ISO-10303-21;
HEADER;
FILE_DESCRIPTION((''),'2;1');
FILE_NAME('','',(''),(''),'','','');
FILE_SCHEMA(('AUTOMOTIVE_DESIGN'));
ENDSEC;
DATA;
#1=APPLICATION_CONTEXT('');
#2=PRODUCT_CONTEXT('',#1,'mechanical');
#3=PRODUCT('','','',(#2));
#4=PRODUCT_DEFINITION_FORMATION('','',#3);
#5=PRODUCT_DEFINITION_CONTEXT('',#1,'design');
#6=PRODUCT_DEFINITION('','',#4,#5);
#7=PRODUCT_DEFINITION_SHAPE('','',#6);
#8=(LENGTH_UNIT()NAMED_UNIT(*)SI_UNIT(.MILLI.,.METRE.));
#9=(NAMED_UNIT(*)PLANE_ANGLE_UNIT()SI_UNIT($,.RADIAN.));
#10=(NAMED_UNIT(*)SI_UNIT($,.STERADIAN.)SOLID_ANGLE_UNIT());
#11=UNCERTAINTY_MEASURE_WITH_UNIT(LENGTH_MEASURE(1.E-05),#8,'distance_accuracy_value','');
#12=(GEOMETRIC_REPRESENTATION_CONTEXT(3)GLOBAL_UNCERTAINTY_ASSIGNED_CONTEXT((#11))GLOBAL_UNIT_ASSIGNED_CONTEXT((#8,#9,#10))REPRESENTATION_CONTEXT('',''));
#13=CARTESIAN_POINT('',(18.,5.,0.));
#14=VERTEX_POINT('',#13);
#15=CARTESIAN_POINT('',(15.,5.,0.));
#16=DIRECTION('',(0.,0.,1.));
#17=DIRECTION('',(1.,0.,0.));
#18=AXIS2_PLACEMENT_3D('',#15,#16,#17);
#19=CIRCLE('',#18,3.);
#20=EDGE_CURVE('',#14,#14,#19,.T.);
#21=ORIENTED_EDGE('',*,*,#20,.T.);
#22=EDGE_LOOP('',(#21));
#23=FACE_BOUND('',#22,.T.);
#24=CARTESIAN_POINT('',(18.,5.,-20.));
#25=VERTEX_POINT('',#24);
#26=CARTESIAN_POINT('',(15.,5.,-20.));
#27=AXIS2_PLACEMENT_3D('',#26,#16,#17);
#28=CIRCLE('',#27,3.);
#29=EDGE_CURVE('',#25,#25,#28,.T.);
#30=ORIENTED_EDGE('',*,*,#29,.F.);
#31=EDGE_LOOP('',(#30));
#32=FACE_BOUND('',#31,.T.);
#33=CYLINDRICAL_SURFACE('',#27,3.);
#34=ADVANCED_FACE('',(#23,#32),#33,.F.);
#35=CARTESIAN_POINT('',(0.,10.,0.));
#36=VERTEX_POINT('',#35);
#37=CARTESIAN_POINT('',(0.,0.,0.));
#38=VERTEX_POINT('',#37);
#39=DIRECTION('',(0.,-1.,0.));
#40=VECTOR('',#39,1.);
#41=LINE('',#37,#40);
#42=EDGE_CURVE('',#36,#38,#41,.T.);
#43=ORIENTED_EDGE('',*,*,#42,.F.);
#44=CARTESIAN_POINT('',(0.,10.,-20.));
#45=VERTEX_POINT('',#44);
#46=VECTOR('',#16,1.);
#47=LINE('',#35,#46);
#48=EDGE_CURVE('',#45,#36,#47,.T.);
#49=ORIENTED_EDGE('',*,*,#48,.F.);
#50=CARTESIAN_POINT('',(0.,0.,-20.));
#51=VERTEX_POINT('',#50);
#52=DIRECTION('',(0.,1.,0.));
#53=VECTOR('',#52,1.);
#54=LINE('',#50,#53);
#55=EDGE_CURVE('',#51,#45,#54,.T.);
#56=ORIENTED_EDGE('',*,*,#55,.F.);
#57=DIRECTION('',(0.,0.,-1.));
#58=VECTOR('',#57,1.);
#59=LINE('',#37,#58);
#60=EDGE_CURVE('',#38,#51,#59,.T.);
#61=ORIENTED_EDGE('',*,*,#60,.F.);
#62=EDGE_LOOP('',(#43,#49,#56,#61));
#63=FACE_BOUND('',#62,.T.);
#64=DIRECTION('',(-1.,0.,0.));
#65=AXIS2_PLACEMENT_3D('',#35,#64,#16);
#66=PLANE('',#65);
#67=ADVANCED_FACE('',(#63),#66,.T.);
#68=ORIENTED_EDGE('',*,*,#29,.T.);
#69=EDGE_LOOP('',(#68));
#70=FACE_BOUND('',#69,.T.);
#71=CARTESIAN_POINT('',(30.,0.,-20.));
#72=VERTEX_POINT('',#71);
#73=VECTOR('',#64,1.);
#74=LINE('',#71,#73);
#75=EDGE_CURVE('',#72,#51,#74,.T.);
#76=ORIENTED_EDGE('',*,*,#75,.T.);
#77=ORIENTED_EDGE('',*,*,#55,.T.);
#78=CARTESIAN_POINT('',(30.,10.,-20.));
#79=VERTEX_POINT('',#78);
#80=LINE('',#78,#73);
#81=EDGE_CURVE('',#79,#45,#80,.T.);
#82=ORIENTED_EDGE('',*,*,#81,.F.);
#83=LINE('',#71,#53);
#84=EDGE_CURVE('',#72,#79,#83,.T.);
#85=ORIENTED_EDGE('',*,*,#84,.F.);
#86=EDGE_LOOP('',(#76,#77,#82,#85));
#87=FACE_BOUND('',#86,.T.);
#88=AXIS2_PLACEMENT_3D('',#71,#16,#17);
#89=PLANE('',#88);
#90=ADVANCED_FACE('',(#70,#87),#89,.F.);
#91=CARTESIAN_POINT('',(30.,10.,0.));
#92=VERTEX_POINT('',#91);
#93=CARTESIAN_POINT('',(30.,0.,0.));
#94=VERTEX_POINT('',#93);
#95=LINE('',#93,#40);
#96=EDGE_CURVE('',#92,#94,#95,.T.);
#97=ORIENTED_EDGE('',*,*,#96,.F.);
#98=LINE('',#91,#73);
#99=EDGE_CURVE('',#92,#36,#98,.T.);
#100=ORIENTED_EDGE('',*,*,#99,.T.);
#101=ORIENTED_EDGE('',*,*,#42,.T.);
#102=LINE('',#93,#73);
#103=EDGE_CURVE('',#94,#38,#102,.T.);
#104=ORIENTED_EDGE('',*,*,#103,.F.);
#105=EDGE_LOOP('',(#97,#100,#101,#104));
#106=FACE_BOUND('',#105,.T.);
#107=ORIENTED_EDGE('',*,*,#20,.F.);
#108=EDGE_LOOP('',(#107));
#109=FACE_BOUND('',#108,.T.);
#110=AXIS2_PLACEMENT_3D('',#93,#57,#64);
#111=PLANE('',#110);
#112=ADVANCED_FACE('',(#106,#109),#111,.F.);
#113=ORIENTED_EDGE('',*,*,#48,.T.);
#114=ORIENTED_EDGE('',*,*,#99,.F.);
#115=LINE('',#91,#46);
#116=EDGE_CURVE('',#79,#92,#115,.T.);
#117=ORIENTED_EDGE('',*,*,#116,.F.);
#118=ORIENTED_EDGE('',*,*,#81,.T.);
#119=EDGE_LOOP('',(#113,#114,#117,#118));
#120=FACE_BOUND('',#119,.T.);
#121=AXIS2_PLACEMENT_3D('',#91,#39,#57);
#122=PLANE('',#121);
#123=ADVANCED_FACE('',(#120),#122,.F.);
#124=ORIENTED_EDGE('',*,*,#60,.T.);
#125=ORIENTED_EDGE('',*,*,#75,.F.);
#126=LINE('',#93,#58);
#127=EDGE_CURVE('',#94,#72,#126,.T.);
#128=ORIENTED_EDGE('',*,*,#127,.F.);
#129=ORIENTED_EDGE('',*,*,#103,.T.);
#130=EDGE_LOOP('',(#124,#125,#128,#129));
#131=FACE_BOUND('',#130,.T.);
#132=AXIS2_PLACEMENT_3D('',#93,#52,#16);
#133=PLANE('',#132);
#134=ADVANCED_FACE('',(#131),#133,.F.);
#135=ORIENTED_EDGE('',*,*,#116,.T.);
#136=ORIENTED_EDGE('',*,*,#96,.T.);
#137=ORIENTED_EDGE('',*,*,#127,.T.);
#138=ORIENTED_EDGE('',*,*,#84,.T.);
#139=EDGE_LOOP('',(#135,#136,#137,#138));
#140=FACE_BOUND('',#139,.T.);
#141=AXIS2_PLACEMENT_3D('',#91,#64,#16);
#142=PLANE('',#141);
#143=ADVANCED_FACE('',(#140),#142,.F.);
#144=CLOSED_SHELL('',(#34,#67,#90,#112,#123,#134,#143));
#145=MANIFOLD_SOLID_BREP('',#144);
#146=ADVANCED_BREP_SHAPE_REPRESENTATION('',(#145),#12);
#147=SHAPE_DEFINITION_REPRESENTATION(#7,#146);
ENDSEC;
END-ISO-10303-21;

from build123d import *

# Parameters (mm, degrees)
SKIZZE1_W               = 20
SKIZZE1_H               = 10
LINEAR_AUSTRAGEN1_DEPTH = 30
SKIZZE2_R               = 3
LINEAR_AUSTRAGEN2_DEPTH = 21


with BuildPart() as part:
    # Skizze1 → Linear austragen1 (new body)
    with BuildSketch(Plane(origin=(0, 0, 0), x_dir=(0, 0, -1), z_dir=(1, 0, 0))):
        with Locations((10, 5)):
            Rectangle(SKIZZE1_W, SKIZZE1_H)
    extrude(amount=LINEAR_AUSTRAGEN1_DEPTH)

    # Skizze2 → Linear austragen2 (cut, through all)
    with BuildSketch(Plane.XY):
        with Locations((15, 5)):
            Circle(SKIZZE2_R)
    extrude(amount=-LINEAR_AUSTRAGEN2_DEPTH, mode=Mode.SUBTRACT)


solid = part.part
